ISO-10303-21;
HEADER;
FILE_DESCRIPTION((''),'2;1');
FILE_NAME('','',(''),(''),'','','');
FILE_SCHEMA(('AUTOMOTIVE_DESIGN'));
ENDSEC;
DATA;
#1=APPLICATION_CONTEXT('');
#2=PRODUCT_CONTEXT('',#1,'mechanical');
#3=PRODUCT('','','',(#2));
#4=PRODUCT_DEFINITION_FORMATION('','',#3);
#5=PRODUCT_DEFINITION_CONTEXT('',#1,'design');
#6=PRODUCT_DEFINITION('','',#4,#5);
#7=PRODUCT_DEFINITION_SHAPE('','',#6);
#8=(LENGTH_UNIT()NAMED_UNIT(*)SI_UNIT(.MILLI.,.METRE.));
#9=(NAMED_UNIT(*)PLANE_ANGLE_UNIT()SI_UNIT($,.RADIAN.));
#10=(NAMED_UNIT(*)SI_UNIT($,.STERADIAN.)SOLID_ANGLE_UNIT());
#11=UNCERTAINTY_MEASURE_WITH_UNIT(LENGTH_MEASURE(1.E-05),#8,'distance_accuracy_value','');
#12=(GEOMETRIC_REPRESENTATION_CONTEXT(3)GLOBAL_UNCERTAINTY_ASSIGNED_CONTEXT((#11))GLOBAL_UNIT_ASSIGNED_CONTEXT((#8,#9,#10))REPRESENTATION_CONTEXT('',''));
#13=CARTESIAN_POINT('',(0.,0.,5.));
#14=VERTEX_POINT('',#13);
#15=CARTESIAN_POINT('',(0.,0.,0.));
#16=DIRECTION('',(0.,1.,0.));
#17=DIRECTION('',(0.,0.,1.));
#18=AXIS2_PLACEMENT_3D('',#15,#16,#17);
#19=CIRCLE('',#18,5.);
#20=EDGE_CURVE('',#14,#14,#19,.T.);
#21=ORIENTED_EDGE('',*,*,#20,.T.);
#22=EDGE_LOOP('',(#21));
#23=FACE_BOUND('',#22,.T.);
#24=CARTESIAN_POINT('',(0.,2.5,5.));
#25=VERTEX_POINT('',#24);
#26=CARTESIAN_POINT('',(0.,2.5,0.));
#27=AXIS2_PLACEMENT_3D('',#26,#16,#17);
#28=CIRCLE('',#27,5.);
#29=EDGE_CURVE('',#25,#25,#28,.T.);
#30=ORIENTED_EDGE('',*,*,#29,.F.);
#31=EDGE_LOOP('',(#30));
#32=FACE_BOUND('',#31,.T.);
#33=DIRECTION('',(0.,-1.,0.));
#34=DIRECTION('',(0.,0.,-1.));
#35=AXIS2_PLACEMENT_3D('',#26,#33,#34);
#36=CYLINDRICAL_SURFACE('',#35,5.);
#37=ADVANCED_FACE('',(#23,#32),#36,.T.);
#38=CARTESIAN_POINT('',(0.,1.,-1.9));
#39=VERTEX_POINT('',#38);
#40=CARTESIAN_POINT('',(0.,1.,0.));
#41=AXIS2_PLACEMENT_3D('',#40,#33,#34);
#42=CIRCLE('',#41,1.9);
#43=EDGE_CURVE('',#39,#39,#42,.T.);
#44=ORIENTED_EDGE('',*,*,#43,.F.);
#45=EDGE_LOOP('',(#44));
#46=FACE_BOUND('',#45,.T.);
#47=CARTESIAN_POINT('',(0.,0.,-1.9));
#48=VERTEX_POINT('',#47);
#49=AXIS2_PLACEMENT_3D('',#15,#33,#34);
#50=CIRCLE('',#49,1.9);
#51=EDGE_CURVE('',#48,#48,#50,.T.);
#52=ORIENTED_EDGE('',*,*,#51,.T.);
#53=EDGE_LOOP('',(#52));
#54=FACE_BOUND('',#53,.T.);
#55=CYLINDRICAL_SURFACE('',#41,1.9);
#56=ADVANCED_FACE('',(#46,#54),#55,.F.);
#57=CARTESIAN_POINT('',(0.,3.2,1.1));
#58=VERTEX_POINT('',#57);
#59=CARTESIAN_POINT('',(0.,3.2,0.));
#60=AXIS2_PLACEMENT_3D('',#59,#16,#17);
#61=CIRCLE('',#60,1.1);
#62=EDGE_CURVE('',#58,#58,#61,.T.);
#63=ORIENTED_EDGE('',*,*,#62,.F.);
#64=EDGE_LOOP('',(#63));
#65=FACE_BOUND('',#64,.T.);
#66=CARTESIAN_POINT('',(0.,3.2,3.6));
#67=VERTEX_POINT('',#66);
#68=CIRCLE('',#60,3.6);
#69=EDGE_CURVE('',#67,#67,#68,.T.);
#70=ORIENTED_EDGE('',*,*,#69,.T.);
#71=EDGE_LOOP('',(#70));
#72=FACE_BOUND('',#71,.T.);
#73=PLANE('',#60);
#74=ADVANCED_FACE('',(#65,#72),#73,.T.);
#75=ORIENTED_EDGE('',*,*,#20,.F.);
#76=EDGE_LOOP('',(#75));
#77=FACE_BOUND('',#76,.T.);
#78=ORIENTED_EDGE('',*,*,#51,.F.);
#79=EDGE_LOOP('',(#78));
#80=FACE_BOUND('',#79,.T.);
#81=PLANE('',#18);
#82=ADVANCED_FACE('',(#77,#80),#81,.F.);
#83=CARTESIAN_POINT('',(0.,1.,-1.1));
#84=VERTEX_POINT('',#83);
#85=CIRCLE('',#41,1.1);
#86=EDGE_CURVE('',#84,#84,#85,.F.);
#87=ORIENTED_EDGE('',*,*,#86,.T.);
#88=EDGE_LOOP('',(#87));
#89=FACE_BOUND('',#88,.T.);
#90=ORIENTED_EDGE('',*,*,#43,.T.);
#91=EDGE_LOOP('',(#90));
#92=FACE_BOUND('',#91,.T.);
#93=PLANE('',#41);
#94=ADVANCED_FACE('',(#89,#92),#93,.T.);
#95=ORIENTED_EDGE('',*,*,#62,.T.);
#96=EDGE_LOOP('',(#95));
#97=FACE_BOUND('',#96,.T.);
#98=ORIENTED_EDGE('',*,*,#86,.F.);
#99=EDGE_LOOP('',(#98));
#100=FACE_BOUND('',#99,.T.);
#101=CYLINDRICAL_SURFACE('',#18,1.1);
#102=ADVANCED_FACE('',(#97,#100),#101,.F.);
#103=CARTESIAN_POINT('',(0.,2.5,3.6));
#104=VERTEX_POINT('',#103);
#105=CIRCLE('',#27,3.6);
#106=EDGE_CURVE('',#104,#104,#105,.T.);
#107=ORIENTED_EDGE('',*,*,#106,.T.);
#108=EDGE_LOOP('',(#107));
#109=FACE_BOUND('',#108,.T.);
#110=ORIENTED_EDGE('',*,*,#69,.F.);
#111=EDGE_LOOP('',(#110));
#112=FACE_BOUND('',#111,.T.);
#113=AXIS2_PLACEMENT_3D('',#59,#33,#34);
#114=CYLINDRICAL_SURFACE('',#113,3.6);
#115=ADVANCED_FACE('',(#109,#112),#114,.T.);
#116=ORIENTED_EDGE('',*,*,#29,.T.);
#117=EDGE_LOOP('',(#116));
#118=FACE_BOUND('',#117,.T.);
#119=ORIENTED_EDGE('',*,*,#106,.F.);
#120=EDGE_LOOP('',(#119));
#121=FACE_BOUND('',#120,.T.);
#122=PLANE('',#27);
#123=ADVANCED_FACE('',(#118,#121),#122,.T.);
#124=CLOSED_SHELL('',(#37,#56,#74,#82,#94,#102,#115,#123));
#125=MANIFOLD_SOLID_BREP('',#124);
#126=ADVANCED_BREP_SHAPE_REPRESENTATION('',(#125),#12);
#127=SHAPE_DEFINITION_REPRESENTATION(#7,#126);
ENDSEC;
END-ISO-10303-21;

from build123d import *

# Parameters (mm, degrees)
SKETCH_1_R          = 5
EXTRUDE_1_DEPTH     = 2.5
SKETCH_2_R          = 3.6
EXTRUDE_2_DEPTH     = 0.7
SKETCH_3_R          = 1.1
CUT_EXTRUDE_1_DEPTH = 8.761443165
SKETCH_4_R          = 1.9
CUT_EXTRUDE_2_DEPTH = 1


with BuildPart() as part:
    # 草图1 → 凸台-拉伸1 (new body)
    with BuildSketch(Plane(origin=(0, 0, 0), x_dir=(1, 0, 0), z_dir=(0, 1, 0))):
        with Locations(Location((0, 0, 0), (0, 0, 270))):
            Circle(SKETCH_1_R)
    extrude(amount=EXTRUDE_1_DEPTH)

    # 草图2 → 凸台-拉伸2 (add)
    with BuildSketch(Plane(origin=(0, 2.5, 0), x_dir=(1, 0, 0), z_dir=(0, 1, 0))):
        with Locations(Location((0, 0, 0), (0, 0, 270))):
            Circle(SKETCH_2_R)
    extrude(amount=EXTRUDE_2_DEPTH)

    # 草图3 → 切除-拉伸1 (cut, through all)
    with BuildSketch(Plane(origin=(0, 3.2, 0), x_dir=(1, 0, 0), z_dir=(0, 1, 0))):
        with Locations(Location((0, 0, 0), (0, 0, 270))):
            Circle(SKETCH_3_R)
    extrude(amount=-CUT_EXTRUDE_1_DEPTH, mode=Mode.SUBTRACT)

    # 草图4 → 切除-拉伸2 (cut)
    with BuildSketch(Plane.XZ):
        with Locations(Location((0, 0, 0), (0, 0, 270))):
            Circle(SKETCH_4_R)
    extrude(amount=-CUT_EXTRUDE_2_DEPTH, mode=Mode.SUBTRACT)


solid = part.part
